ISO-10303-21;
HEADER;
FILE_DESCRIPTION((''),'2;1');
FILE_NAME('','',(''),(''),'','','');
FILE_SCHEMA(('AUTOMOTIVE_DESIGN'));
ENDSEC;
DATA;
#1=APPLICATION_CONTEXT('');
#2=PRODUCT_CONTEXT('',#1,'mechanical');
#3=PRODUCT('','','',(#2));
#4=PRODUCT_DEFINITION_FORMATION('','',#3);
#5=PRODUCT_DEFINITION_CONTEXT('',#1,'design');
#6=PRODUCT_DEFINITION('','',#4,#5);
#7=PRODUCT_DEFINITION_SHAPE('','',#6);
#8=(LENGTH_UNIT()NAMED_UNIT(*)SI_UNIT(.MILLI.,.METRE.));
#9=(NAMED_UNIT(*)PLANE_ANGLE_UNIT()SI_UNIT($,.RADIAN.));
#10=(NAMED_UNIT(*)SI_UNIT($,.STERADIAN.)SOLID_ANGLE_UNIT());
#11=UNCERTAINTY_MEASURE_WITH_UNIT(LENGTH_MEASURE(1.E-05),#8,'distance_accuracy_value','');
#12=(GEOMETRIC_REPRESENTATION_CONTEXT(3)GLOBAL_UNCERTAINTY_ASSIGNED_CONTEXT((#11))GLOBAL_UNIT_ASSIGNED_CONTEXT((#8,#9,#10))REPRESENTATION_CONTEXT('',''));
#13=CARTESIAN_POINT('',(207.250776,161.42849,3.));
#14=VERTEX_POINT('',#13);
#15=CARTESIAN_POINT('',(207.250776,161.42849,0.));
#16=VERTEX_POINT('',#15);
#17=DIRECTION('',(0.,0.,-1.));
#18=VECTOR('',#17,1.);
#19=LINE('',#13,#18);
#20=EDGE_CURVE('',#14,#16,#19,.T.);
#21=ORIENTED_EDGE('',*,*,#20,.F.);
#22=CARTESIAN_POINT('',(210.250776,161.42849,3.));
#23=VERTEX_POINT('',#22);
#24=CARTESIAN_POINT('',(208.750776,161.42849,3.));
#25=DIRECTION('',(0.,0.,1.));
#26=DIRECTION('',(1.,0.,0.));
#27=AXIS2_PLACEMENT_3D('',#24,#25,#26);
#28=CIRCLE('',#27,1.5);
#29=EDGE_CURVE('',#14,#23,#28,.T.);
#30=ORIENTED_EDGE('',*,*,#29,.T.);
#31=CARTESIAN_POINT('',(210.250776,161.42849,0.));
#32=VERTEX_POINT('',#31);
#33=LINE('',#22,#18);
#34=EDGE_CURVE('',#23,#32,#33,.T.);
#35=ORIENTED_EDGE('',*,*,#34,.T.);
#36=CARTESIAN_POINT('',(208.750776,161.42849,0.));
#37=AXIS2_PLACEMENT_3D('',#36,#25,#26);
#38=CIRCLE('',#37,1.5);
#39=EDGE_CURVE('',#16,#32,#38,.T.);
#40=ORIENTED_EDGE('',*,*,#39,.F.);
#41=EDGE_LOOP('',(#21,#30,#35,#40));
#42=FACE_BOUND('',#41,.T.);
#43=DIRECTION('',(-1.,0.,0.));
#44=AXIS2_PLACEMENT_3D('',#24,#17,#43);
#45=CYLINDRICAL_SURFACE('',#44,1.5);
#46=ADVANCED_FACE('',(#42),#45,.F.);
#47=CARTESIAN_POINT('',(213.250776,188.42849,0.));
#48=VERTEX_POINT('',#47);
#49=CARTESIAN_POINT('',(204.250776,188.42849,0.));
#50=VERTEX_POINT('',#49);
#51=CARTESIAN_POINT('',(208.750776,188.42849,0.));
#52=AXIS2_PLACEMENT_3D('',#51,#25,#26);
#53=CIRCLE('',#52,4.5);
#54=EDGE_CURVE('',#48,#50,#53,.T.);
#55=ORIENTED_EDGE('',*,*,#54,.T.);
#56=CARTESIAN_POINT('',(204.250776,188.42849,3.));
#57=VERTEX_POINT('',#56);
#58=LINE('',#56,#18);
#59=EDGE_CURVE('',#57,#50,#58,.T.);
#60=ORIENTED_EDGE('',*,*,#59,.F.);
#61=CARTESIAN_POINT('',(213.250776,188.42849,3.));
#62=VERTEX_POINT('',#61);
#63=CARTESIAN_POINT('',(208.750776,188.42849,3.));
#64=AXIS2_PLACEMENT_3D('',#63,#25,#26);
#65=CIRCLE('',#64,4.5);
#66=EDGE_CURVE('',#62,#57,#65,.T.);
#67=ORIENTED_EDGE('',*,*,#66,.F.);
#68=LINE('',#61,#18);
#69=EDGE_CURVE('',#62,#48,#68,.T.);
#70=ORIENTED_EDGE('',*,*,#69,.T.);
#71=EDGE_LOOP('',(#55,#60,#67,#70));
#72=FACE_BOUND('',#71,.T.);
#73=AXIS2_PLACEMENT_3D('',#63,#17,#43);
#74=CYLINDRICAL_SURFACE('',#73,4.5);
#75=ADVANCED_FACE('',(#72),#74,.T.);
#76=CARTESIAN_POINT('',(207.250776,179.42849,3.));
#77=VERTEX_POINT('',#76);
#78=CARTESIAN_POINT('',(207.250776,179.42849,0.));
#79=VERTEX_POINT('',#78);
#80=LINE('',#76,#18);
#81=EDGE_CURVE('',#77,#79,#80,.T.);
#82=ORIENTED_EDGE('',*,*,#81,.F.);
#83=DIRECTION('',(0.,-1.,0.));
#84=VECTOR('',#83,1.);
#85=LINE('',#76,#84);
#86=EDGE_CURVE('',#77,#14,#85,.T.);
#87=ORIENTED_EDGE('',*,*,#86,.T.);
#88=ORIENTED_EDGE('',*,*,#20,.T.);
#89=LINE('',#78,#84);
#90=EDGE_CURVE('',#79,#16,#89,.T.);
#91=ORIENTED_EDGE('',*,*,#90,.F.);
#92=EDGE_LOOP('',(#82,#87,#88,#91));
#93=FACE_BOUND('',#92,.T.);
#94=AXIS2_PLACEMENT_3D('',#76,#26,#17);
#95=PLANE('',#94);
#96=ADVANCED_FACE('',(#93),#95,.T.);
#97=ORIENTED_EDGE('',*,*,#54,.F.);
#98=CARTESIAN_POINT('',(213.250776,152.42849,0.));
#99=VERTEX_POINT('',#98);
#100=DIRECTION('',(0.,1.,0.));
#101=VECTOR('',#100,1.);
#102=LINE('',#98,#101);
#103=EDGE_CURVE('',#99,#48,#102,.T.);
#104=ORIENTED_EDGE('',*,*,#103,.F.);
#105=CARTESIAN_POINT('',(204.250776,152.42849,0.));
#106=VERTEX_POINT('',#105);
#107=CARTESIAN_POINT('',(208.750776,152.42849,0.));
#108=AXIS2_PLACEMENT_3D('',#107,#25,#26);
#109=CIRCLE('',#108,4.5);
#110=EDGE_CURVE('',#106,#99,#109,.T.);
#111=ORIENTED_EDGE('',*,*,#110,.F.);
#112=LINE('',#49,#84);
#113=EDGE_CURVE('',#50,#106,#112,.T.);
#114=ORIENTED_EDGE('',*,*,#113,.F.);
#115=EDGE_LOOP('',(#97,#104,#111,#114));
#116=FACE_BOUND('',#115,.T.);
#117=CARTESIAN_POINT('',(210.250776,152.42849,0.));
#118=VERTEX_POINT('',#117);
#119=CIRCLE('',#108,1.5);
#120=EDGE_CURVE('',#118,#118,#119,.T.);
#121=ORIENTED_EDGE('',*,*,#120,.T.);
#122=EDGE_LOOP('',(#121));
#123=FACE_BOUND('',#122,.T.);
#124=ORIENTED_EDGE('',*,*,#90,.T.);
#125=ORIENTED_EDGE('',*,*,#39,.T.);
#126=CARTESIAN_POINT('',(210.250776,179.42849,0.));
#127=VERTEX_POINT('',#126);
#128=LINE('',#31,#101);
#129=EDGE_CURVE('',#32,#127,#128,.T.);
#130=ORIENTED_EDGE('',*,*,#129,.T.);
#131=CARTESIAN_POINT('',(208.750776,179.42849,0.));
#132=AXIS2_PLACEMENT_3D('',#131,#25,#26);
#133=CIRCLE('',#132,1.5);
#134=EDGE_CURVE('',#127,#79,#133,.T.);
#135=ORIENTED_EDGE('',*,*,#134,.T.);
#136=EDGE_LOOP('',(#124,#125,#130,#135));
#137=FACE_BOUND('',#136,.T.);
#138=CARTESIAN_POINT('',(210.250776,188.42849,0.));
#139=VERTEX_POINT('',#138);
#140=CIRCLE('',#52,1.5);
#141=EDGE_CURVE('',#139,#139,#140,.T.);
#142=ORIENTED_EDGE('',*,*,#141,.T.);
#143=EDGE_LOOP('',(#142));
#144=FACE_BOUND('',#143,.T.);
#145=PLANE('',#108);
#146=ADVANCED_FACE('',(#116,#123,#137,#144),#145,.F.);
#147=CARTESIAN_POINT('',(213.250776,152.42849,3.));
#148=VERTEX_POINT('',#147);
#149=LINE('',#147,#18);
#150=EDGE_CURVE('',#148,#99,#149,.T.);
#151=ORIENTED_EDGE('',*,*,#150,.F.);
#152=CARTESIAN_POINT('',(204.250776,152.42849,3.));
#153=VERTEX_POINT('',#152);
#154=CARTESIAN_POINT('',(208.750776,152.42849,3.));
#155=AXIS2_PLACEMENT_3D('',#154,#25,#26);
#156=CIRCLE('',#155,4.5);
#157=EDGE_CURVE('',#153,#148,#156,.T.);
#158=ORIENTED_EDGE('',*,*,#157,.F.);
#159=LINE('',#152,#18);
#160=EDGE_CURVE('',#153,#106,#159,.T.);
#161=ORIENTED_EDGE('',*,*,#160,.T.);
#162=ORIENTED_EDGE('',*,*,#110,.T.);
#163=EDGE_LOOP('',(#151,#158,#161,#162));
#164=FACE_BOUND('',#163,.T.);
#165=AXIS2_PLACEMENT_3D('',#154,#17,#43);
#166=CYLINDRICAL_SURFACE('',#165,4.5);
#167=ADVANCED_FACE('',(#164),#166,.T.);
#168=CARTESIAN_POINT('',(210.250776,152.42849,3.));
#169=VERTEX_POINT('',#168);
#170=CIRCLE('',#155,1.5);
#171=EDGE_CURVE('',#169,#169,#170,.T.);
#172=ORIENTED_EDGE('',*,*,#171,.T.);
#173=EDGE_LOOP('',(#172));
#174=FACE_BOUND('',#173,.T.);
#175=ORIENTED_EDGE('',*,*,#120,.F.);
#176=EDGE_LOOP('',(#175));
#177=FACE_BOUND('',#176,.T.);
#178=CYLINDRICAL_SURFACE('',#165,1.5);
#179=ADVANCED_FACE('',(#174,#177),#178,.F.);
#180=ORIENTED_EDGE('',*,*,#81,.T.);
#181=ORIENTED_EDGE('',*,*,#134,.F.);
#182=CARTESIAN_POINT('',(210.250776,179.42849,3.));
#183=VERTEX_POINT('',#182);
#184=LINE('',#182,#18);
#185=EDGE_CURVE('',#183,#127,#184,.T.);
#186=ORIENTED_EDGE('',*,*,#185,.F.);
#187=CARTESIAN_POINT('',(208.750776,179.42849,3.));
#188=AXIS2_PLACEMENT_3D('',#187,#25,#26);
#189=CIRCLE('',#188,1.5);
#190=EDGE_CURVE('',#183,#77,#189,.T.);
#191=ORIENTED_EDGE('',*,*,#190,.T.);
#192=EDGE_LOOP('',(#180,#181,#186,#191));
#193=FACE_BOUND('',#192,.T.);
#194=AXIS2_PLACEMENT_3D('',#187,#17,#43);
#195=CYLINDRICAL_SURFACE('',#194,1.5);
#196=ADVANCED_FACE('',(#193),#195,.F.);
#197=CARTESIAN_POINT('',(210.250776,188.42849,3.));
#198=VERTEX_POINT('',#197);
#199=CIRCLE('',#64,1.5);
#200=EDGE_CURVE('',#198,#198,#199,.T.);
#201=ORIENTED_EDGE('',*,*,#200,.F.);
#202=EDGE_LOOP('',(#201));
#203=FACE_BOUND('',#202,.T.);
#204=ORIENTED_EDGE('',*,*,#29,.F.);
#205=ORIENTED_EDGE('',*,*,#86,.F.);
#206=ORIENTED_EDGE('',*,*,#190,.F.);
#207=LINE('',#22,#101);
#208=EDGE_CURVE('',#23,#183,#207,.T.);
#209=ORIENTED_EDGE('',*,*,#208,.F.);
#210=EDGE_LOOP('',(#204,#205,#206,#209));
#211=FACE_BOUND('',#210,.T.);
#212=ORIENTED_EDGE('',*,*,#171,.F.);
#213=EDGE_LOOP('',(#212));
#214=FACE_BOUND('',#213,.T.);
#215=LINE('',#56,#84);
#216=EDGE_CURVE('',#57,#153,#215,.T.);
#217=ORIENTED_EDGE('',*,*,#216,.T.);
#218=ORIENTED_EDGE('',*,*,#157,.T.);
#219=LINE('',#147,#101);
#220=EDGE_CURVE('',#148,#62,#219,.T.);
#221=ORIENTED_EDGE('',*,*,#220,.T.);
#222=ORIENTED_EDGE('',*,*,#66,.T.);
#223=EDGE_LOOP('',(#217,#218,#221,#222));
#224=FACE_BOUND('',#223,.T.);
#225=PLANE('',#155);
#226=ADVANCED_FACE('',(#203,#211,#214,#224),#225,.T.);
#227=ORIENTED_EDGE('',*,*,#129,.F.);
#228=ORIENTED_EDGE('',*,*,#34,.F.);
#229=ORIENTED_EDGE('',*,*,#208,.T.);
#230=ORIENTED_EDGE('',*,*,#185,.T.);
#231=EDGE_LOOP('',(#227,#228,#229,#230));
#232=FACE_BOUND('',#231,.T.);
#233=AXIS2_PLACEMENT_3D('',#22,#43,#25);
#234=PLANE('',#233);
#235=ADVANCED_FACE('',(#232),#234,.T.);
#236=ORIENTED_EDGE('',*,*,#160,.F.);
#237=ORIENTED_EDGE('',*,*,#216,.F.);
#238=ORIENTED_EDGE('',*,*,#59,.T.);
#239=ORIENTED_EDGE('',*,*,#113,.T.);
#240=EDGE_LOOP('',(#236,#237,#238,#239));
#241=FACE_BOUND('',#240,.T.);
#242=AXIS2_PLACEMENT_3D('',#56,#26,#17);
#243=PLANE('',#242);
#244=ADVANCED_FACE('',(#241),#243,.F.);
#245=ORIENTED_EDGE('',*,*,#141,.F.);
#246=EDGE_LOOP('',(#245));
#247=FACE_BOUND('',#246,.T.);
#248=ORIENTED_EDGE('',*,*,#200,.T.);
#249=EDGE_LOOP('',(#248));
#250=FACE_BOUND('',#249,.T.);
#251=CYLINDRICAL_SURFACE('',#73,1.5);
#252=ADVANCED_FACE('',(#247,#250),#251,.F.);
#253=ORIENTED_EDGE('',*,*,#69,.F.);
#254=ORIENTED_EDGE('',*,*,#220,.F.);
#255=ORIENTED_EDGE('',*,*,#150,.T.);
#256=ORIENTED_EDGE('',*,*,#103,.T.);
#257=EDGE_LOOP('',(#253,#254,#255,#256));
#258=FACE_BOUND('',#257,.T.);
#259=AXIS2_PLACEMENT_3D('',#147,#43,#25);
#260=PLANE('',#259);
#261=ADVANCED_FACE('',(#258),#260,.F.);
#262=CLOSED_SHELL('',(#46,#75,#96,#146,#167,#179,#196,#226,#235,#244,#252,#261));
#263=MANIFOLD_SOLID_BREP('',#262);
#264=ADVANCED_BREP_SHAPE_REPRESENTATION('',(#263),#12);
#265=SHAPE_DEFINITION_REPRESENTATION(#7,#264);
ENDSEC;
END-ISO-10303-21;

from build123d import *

# Parameters (mm, degrees)
MODEL_R                 = 1.5
SALIENTE_EXTRUIR1_DEPTH = 3


with BuildPart() as part:
    # Model → Saliente-Extruir1 (new body)
    with BuildSketch(Plane.XY):
        with BuildLine():
            Line((213.25077615, 152.428489513), (213.25077615, 188.428489513))
            ThreePointArc((213.25077615, 188.428489513), (208.75077615, 192.928489513), (204.25077615, 188.428489513))
            Line((204.25077615, 188.428489513), (204.25077615, 152.428489513))
            ThreePointArc((204.25077615, 152.428489513), (208.75077615, 147.928489513), (213.25077615, 152.428489513))
        make_face()
        with Locations((208.75077615, 188.428489513)):
            Circle(MODEL_R, mode=Mode.SUBTRACT)
        with Locations((208.75077615, 152.428489513)):
            Circle(MODEL_R, mode=Mode.SUBTRACT)
        with BuildLine():
            Line((207.25077615, 179.428489513), (207.25077615, 161.428489513))
            ThreePointArc((207.25077615, 161.428489513), (208.75077615, 159.928489513), (210.25077615, 161.428489513))
            Line((210.25077615, 161.428489513), (210.25077615, 179.428489513))
            ThreePointArc((210.25077615, 179.428489513), (208.75077615, 180.928489513), (207.25077615, 179.428489513))
        make_face(mode=Mode.SUBTRACT)
    extrude(amount=SALIENTE_EXTRUIR1_DEPTH)


solid = part.part
